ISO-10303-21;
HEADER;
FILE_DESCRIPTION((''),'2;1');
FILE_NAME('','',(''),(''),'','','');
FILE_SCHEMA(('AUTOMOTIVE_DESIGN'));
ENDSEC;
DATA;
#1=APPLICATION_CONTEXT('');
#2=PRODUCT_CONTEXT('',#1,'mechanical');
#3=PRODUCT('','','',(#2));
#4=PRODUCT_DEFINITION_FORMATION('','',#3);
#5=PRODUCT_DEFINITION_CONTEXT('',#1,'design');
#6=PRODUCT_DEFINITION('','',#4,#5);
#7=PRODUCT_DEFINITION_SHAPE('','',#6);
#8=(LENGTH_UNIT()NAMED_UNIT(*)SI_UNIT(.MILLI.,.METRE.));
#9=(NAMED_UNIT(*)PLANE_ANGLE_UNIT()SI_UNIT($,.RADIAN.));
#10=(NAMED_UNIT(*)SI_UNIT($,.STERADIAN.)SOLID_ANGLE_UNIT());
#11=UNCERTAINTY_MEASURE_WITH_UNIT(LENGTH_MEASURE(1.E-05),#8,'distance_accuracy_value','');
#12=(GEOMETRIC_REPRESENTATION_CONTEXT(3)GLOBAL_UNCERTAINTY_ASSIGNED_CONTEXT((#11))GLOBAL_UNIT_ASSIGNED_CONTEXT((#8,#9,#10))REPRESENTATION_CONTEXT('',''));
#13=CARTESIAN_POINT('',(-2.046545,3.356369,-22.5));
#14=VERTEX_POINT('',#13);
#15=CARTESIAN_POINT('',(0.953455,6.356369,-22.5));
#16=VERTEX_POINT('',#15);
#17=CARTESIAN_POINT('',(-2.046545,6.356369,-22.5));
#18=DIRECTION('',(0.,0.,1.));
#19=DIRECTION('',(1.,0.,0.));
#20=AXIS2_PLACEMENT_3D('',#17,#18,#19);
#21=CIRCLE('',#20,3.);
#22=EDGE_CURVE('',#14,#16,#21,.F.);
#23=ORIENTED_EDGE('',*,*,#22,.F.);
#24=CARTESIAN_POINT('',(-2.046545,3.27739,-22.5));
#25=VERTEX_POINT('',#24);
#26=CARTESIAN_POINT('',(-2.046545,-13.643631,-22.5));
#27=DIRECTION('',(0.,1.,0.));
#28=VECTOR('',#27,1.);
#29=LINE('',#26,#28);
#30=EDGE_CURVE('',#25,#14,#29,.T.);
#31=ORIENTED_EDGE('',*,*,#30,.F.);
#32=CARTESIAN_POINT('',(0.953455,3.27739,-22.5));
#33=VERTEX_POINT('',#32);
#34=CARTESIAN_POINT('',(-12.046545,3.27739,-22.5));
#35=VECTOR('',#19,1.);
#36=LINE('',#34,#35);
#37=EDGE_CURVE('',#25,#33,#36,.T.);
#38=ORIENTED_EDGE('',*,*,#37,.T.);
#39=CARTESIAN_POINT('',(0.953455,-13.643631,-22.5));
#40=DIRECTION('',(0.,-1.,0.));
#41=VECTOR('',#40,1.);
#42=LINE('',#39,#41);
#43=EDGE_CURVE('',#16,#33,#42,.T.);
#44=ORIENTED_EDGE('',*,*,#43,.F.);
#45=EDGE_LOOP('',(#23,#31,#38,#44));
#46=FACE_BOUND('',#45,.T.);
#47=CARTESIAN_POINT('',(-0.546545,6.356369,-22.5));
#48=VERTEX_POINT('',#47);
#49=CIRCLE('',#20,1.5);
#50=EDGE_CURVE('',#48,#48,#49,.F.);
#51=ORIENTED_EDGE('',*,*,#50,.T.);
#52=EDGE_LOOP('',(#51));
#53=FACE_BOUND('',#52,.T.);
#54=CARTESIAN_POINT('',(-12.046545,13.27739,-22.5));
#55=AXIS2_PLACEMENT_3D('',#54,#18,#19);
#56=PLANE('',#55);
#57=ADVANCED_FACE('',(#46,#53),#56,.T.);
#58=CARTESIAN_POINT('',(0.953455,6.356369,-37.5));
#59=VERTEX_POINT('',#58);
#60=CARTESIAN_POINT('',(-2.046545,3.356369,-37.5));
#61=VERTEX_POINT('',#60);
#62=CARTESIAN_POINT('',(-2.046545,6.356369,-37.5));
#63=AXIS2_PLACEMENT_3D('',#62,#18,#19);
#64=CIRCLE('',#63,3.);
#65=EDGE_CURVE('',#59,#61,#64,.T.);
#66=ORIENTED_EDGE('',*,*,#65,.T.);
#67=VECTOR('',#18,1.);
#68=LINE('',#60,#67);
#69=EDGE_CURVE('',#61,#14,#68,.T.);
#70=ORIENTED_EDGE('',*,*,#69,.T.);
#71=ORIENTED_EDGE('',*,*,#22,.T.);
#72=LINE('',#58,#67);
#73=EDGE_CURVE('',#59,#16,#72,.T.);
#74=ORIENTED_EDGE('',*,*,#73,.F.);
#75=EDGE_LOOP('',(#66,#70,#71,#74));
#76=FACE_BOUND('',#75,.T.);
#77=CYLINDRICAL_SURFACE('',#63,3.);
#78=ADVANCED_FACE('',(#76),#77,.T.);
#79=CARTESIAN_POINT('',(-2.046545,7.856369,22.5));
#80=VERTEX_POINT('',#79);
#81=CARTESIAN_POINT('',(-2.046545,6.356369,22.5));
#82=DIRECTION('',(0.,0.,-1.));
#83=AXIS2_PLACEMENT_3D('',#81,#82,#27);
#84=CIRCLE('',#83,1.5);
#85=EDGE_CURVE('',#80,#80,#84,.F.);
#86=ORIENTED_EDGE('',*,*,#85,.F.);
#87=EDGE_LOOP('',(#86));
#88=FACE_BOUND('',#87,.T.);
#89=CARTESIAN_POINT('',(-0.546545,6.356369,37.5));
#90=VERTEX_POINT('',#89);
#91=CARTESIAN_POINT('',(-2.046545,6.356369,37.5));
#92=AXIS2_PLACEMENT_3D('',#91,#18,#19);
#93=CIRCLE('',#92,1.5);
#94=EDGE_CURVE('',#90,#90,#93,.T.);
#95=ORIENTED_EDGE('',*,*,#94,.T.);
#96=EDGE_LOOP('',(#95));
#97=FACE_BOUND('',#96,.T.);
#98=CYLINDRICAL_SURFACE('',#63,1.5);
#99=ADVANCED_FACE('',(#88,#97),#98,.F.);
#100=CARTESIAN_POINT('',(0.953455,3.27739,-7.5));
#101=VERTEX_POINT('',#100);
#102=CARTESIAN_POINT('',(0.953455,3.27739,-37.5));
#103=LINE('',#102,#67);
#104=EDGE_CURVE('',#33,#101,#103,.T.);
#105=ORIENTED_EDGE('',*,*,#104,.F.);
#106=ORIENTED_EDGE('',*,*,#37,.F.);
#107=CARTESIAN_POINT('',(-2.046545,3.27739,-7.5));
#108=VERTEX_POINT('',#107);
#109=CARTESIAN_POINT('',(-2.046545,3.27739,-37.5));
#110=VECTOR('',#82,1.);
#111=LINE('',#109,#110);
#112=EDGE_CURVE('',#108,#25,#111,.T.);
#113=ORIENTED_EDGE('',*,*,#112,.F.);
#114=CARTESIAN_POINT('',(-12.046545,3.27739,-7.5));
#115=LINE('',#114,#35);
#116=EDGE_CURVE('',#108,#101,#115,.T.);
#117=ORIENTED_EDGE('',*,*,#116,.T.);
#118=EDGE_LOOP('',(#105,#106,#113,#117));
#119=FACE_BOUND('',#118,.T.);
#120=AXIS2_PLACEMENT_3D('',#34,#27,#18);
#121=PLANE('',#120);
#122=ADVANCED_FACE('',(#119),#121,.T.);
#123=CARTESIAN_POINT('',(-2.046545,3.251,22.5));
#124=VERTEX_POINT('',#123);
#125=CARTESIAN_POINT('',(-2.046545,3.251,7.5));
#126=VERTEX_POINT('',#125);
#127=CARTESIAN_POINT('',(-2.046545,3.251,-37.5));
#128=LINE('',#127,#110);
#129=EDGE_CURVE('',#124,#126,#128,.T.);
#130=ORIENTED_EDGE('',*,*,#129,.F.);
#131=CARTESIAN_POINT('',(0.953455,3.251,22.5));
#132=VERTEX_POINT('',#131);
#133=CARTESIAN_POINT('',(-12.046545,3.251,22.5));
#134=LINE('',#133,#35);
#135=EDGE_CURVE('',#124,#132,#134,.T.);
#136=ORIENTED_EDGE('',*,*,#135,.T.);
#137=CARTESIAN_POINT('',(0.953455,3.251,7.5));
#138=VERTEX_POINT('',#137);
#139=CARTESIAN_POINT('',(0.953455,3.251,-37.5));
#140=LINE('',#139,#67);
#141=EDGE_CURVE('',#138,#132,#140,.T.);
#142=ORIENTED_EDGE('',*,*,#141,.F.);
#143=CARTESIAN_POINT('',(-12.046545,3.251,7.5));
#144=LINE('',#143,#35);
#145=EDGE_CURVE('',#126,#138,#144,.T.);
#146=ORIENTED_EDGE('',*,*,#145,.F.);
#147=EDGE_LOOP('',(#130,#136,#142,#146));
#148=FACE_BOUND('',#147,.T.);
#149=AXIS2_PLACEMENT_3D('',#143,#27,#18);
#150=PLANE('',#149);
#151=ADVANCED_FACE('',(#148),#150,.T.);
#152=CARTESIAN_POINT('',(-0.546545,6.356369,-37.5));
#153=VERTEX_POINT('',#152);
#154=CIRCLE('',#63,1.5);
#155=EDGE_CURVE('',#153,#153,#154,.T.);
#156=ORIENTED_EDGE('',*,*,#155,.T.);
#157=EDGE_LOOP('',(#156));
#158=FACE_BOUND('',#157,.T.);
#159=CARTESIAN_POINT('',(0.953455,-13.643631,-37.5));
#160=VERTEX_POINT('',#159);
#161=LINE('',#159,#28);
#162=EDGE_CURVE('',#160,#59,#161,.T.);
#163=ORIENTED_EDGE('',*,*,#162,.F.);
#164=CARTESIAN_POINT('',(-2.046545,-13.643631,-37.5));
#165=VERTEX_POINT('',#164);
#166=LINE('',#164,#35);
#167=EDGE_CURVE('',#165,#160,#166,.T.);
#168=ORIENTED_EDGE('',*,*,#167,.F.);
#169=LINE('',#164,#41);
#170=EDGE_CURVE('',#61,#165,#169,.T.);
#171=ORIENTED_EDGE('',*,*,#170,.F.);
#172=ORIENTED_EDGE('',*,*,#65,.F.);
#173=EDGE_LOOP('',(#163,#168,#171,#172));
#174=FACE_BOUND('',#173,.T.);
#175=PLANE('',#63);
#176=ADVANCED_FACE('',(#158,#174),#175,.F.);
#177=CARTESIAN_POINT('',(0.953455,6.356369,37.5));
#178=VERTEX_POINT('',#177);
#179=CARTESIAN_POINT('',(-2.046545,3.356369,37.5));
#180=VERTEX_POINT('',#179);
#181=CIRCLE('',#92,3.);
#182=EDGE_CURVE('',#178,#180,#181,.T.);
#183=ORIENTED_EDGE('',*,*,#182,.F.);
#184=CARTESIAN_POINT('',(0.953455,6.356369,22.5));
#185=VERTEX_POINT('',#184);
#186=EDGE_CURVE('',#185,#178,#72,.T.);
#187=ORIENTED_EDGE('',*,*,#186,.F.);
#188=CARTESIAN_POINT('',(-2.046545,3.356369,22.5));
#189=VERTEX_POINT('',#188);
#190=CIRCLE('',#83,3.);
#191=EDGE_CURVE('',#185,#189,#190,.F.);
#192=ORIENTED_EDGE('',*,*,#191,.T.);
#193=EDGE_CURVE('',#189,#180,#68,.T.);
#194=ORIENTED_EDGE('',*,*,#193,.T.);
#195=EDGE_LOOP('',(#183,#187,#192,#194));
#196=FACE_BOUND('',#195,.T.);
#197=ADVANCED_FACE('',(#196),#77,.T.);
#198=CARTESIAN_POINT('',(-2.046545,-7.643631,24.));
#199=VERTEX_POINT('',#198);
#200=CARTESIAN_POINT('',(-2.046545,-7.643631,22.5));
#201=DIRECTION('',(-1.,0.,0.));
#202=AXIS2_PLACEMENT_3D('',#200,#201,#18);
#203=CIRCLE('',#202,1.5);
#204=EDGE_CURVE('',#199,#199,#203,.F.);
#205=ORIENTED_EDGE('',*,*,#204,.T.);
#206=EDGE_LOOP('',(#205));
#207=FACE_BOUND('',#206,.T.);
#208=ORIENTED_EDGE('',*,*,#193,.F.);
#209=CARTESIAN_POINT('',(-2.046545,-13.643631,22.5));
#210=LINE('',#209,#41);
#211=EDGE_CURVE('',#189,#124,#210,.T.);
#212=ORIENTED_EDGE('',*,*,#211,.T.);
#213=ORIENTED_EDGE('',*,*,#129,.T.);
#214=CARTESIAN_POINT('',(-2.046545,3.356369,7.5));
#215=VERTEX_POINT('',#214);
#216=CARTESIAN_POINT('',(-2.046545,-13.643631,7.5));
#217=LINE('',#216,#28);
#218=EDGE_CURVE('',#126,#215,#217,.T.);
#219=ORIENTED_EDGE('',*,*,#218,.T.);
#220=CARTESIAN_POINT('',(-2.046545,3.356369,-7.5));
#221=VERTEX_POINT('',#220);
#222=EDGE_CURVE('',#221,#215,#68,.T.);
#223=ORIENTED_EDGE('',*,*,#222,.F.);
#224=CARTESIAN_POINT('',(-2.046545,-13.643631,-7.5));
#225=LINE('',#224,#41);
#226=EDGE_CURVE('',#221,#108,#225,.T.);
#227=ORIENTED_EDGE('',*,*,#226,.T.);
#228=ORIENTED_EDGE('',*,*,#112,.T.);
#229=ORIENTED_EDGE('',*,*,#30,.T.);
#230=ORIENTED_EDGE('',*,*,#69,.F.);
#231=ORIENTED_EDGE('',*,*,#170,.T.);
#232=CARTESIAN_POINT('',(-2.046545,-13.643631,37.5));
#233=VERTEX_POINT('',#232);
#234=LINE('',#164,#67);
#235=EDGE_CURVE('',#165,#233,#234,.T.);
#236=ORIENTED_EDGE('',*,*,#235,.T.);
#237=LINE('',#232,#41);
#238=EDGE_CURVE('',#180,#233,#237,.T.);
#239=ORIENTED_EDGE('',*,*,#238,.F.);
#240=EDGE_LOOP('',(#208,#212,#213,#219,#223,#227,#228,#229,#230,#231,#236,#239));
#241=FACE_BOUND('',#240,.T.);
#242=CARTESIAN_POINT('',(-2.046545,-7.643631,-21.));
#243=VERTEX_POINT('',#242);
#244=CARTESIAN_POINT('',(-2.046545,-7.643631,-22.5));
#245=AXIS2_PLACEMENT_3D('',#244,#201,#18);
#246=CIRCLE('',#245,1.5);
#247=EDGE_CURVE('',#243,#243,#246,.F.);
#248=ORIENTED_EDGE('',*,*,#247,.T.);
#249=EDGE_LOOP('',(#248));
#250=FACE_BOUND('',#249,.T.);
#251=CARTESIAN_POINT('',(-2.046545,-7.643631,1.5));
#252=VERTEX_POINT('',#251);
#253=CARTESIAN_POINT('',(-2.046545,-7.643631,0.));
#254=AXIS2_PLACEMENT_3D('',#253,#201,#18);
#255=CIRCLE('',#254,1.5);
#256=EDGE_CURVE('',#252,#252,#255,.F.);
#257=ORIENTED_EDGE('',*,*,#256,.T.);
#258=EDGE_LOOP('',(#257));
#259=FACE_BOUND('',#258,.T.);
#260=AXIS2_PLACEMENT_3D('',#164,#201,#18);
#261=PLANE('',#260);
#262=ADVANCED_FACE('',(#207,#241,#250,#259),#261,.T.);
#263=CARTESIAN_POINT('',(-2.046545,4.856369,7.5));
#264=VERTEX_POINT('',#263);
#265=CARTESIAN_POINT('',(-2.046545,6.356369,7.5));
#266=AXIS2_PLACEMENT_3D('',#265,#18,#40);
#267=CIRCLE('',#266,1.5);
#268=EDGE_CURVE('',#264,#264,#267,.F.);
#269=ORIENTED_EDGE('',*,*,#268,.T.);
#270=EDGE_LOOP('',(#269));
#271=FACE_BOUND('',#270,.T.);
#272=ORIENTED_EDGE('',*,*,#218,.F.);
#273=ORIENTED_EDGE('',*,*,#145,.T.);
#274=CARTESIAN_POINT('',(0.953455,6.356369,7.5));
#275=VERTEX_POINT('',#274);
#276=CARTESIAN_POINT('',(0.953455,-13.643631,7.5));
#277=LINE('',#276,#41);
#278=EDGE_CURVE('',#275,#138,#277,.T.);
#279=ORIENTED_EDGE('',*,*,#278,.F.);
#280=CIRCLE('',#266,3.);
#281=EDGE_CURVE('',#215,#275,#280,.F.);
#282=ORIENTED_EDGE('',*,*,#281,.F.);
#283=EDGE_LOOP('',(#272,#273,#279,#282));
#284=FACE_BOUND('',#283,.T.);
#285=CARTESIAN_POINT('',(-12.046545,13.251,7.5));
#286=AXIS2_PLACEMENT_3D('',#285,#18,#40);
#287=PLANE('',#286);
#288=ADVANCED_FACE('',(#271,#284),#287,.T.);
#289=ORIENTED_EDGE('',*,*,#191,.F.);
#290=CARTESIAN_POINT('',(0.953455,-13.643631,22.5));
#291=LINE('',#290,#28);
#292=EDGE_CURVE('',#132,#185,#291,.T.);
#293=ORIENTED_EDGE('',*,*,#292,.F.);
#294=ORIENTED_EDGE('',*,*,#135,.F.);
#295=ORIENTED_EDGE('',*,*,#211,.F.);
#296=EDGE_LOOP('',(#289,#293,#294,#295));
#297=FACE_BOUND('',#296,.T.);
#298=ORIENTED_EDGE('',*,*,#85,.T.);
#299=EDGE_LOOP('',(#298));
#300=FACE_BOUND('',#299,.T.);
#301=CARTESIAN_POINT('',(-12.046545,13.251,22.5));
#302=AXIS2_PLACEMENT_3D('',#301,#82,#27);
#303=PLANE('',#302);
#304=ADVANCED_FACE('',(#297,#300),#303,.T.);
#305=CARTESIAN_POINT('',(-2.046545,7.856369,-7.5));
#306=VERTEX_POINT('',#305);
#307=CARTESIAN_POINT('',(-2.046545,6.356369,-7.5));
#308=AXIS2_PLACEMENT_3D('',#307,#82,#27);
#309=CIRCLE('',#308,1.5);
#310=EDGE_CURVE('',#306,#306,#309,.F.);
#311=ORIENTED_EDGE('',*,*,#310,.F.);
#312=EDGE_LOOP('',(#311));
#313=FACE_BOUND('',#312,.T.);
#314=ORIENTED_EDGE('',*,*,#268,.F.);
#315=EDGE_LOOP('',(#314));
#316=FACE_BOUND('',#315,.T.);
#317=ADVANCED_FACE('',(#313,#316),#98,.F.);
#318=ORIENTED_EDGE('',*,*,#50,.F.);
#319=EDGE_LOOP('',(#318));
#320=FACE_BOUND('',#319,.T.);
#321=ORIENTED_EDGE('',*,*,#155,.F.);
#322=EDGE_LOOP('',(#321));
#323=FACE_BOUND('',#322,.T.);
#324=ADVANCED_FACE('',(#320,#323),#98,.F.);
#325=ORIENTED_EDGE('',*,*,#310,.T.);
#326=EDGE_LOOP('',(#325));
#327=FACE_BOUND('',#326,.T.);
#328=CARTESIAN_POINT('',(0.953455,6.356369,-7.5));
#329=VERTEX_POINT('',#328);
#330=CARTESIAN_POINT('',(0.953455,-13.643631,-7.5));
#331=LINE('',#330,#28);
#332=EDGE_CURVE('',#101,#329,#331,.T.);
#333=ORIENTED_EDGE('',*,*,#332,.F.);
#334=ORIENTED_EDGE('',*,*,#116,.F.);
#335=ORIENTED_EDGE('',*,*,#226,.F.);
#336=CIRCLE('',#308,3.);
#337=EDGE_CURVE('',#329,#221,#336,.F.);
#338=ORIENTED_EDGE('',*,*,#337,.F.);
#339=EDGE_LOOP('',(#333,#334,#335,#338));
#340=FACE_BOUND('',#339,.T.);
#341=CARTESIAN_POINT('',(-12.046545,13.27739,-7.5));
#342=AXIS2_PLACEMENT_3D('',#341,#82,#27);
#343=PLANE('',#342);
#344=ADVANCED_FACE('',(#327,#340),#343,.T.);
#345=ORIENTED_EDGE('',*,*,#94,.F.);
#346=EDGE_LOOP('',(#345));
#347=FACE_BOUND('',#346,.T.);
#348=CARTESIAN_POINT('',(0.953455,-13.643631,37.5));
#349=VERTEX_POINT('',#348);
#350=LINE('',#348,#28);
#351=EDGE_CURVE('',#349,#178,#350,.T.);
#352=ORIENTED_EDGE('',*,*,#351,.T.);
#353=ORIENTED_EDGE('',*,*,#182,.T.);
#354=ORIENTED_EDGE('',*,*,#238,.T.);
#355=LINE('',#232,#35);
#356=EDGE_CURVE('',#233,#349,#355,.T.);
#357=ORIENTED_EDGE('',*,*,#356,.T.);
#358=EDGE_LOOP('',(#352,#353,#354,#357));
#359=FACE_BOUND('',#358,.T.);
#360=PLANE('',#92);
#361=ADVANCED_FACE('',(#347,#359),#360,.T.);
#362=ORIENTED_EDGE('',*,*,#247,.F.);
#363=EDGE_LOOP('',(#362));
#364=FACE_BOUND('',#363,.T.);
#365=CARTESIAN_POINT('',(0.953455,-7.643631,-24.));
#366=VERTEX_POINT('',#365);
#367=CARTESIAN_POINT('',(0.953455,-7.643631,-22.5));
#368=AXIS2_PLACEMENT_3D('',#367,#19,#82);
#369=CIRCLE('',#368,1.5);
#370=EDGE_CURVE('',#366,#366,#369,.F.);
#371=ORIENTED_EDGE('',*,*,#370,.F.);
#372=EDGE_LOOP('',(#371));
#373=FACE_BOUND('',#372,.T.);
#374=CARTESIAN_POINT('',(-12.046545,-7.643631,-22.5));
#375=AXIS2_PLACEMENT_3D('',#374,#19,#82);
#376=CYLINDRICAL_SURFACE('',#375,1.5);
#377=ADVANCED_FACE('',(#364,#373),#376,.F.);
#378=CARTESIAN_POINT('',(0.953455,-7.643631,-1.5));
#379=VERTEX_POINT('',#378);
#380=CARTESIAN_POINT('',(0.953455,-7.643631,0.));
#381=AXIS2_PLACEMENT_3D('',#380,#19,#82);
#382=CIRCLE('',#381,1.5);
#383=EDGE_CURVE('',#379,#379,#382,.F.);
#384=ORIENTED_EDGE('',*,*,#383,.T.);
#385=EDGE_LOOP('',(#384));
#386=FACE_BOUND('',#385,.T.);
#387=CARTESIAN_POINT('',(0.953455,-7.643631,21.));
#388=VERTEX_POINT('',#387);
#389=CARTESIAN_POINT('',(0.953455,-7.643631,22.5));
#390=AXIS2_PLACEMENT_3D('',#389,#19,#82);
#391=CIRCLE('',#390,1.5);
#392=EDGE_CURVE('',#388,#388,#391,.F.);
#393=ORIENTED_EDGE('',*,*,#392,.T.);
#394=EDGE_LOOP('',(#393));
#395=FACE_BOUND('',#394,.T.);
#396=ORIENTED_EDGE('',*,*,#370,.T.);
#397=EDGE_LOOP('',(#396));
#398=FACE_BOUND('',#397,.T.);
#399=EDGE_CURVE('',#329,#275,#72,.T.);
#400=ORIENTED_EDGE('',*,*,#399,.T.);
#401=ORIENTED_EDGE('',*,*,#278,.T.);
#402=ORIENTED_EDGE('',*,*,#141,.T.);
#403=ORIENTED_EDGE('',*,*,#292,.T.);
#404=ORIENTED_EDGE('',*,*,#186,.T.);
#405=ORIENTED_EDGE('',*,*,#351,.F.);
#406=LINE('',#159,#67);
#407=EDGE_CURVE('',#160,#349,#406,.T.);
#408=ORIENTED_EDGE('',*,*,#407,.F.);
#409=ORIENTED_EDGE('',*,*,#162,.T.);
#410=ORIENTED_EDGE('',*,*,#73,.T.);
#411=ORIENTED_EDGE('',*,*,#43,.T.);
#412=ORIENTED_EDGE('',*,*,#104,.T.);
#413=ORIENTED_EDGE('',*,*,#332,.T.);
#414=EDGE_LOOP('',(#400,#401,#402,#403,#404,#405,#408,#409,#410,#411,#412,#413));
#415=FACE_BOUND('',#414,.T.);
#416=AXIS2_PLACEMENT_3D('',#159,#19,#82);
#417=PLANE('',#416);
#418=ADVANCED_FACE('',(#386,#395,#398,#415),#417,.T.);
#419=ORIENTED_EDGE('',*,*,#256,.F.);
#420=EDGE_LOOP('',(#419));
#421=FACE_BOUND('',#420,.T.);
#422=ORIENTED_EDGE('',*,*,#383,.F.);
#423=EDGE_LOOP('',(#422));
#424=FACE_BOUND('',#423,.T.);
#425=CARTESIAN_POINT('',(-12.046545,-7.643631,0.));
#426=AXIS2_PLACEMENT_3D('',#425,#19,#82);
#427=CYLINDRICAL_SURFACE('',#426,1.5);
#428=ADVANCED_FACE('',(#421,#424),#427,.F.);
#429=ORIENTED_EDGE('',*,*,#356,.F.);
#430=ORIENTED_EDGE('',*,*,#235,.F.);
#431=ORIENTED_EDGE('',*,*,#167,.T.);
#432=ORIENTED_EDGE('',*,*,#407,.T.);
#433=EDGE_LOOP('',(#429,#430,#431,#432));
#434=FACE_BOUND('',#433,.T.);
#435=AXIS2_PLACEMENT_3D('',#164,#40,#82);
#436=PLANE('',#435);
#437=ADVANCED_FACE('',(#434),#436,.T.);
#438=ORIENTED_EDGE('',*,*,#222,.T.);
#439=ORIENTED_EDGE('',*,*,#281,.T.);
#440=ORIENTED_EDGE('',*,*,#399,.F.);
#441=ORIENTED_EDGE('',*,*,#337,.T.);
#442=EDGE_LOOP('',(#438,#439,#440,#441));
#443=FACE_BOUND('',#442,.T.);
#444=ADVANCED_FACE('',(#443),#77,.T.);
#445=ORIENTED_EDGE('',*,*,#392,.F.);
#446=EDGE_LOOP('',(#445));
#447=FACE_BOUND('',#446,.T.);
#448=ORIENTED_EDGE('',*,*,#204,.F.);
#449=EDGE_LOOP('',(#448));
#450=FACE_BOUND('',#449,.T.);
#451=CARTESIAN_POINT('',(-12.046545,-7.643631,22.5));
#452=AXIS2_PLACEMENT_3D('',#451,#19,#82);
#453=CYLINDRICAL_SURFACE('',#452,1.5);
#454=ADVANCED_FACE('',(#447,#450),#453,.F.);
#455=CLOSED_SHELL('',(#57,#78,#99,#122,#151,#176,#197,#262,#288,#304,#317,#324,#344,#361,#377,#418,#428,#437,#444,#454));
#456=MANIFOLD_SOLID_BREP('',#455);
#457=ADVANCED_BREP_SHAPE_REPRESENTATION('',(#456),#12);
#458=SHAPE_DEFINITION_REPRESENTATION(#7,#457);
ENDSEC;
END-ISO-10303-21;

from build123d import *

# Parameters (mm, degrees)
BOSS_EXTRUDE1_DEPTH      = 37.5
BOSS_EXTRUDE1_DEPTH_BACK = 37.5
SKETCH2_R                = 1.5
CUT_EXTRUDE3_DEPTH       = 10
CUT_EXTRUDE3_DEPTH_BACK  = 10
SKETCH4_R                = 1.5
SKETCH4_W                = 15
SKETCH4_H                = 10


with BuildPart() as part:
    # Sketch2 → Boss-Extrude1 (new, two sides: drawn at the far end of the back side and taken through both)
    with BuildSketch(Plane.XY.offset(-BOSS_EXTRUDE1_DEPTH_BACK)):
        with BuildLine():
            Line((-2.046544696, -13.643631305), (-2.046544696, 3.356368695))
            ThreePointArc((-2.046544696, 3.356368695), (-4.167865039, 8.477689038), (0.953455304, 6.356368695))
            Line((0.953455304, 6.356368695), (0.953455304, -13.643631305))
            Line((0.953455304, -13.643631305), (-2.046544696, -13.643631305))
        make_face()
        with Locations((-2.046544696, 6.356368695)):
            Circle(SKETCH2_R, mode=Mode.SUBTRACT)
    extrude(amount=BOSS_EXTRUDE1_DEPTH + BOSS_EXTRUDE1_DEPTH_BACK)

    # Sketch4 → Cut-Extrude3 (cut, two sides: drawn at the far end of the back side and taken through both)
    with BuildSketch(Plane.ZY.offset(2.046544696).offset(-CUT_EXTRUDE3_DEPTH_BACK)):
        with Locations((-22.5, -7.643631305)):
            Circle(SKETCH4_R)
        with Locations((0, -7.643631305)):
            Circle(SKETCH4_R)
        with Locations((22.5, -7.643631305)):
            Circle(SKETCH4_R)
        with Locations((-15, 8.277390495)):
            Rectangle(SKETCH4_W, SKETCH4_H)
        with Locations((15, 8.251)):
            Rectangle(SKETCH4_W, SKETCH4_H)
    extrude(amount=CUT_EXTRUDE3_DEPTH + CUT_EXTRUDE3_DEPTH_BACK, mode=Mode.SUBTRACT)


solid = part.part
